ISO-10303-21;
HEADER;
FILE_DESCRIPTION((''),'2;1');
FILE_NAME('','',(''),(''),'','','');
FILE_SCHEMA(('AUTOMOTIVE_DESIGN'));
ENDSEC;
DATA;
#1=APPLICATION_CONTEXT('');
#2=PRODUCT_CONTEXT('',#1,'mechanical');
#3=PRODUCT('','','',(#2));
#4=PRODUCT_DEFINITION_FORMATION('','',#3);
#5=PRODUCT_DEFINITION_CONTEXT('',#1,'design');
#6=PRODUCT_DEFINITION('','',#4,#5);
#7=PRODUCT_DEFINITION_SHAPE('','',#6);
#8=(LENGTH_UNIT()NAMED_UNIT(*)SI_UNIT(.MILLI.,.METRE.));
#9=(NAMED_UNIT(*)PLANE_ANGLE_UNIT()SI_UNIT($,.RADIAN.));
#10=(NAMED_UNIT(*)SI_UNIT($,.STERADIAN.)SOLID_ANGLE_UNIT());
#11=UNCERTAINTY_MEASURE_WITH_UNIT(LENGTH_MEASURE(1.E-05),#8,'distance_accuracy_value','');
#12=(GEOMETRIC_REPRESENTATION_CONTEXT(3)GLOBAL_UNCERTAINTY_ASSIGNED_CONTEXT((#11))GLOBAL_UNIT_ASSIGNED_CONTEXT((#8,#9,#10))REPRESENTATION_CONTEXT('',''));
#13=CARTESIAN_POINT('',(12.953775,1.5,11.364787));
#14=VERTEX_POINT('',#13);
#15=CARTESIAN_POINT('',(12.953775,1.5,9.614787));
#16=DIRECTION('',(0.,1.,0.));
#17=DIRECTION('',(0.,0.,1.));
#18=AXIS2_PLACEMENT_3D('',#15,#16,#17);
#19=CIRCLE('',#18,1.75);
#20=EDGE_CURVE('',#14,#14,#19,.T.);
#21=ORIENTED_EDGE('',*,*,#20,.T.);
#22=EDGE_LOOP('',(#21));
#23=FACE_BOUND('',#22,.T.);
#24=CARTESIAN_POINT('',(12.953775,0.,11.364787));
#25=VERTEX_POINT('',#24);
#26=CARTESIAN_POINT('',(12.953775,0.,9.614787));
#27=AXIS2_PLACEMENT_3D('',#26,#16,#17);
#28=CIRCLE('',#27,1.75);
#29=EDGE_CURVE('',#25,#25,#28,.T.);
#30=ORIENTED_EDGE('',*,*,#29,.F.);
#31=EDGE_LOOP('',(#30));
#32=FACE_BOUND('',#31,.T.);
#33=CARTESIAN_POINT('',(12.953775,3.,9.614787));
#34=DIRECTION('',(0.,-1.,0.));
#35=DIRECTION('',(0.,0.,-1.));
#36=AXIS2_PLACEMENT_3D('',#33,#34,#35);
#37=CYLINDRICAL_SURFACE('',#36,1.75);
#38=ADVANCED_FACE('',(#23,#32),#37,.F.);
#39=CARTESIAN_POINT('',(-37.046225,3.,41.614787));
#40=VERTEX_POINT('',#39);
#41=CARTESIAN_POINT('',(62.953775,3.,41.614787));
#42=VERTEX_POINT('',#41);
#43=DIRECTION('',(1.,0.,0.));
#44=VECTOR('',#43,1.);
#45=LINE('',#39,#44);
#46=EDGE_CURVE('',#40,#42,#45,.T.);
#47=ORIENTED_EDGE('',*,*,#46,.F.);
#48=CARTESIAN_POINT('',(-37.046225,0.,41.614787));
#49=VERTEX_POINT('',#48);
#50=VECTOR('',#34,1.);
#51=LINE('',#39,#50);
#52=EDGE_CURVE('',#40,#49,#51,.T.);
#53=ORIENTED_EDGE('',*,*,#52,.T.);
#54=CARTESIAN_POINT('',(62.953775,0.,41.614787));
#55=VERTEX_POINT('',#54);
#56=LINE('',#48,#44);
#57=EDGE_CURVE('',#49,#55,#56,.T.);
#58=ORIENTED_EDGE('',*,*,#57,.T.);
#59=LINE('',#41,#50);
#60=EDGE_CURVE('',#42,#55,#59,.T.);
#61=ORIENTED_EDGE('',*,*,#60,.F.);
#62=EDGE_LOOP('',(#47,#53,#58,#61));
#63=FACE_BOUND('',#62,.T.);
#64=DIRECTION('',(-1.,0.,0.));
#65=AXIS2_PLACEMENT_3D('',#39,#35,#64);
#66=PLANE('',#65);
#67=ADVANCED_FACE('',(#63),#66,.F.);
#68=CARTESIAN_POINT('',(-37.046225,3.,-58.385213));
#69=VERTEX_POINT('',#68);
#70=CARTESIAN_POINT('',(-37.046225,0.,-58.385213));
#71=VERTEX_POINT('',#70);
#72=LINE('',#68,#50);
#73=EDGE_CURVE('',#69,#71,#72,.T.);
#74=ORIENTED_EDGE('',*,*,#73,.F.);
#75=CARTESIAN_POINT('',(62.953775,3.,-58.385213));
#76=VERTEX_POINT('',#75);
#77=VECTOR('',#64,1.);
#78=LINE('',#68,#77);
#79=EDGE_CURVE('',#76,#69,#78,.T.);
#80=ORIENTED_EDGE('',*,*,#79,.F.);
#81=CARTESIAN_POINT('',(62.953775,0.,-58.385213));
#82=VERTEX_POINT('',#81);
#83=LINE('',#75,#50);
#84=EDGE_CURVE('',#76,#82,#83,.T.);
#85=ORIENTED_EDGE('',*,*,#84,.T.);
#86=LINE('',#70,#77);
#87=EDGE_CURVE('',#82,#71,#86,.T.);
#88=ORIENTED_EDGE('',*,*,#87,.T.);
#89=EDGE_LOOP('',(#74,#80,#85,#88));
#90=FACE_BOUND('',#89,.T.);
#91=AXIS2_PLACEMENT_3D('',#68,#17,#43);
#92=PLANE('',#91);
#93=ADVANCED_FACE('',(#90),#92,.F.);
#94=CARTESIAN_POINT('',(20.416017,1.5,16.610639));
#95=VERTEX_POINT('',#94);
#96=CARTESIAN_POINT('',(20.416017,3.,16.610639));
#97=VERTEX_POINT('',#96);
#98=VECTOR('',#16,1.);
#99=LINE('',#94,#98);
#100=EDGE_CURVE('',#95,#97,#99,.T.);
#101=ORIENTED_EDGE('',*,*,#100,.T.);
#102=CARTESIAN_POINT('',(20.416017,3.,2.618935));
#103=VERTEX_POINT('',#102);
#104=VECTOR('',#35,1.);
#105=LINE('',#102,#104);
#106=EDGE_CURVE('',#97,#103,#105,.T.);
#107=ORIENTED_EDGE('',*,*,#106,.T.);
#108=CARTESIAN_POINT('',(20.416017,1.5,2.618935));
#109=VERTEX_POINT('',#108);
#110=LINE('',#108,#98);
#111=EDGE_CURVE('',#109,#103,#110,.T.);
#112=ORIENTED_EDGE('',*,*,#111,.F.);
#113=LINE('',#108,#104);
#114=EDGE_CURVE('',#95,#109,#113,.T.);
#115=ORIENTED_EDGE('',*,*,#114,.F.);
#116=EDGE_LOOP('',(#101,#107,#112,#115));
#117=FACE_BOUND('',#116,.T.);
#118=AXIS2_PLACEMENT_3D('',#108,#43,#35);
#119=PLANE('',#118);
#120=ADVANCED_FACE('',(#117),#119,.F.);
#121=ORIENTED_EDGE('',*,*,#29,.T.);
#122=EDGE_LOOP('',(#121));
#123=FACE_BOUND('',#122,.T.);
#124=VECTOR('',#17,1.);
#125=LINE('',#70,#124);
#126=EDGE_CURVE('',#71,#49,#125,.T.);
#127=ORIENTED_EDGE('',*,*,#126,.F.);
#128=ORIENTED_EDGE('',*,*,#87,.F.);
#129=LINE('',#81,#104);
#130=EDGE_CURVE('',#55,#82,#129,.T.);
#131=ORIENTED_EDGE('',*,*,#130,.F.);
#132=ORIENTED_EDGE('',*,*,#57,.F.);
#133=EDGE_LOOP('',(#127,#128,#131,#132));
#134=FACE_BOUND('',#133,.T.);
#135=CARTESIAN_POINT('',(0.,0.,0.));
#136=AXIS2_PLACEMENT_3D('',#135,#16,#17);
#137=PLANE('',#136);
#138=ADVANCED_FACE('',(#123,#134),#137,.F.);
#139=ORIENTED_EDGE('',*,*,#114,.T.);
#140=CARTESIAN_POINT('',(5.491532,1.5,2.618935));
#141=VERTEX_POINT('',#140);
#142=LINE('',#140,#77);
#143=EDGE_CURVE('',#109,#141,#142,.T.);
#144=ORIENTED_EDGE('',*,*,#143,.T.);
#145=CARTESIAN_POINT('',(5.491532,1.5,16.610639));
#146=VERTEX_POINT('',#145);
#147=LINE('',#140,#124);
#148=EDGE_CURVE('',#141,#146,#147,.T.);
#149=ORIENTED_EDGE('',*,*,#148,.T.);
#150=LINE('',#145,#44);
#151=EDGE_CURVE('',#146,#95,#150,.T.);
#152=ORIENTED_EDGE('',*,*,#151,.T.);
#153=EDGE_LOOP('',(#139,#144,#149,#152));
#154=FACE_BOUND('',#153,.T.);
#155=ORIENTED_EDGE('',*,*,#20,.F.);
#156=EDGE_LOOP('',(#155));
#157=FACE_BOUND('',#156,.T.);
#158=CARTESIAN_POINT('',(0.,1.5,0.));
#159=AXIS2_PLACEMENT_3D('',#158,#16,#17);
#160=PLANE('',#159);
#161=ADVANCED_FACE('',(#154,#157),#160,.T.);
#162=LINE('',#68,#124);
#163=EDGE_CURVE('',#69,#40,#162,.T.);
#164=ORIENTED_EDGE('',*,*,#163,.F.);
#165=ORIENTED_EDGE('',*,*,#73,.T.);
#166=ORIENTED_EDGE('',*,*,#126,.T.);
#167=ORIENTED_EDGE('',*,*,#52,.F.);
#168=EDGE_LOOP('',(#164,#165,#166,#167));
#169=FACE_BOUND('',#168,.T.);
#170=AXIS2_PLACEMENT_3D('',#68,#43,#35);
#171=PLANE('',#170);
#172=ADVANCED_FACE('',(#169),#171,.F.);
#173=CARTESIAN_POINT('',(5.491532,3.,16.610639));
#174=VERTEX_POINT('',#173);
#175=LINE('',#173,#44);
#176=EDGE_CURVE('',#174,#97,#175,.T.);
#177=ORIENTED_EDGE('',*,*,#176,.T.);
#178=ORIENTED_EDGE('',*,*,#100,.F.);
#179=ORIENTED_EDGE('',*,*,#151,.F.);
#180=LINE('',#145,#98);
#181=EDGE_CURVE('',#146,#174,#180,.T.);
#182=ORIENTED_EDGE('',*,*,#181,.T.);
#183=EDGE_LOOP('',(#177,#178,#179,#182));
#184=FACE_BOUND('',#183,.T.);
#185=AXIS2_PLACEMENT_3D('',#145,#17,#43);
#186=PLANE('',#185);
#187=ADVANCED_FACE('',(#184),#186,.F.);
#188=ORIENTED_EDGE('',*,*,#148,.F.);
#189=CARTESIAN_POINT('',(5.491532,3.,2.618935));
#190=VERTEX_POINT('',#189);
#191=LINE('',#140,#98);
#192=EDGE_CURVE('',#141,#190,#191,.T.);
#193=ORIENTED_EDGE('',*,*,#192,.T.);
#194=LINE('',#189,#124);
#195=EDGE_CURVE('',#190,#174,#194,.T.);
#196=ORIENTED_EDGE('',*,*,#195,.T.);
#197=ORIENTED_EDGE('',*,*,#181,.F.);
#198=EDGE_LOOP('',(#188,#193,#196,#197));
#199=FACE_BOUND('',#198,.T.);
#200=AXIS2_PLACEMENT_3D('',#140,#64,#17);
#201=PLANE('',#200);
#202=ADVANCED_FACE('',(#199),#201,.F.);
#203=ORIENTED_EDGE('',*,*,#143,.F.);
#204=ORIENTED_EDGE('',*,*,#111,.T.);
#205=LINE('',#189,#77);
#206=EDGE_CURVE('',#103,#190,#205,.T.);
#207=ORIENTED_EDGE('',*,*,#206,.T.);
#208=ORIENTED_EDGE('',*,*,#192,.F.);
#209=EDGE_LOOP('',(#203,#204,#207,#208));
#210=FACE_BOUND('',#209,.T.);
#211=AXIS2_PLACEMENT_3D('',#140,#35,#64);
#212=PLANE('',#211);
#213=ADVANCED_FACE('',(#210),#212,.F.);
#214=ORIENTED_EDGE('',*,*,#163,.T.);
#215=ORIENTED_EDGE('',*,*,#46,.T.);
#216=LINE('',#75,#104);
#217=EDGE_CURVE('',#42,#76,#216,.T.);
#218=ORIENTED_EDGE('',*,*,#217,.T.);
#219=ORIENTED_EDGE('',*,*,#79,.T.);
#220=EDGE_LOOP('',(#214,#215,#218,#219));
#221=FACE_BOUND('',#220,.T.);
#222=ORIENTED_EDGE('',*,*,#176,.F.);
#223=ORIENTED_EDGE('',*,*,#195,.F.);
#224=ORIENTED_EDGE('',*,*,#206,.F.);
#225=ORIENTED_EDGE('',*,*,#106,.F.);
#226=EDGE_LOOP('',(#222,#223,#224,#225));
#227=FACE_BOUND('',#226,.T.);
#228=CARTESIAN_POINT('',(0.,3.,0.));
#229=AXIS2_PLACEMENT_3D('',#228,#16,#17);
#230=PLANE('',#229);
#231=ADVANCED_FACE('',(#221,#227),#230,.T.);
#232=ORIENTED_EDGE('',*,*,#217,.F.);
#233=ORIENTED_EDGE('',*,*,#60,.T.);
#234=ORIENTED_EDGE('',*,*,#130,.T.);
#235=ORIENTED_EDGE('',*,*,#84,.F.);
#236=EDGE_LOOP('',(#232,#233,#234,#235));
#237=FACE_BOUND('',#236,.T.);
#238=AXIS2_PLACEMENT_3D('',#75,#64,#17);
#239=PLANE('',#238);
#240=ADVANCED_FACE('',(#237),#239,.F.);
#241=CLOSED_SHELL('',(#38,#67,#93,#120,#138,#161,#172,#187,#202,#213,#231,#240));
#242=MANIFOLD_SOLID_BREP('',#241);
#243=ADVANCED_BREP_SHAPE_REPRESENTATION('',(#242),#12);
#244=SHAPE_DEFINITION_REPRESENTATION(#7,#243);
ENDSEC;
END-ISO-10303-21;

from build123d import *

# Parameters (mm, degrees)
SKETCH1_W           = 100
SKETCH1_H           = 100
SKETCH1_R           = 1.75
BOSS_EXTRUDE1_DEPTH = 3
SKETCH2_W           = 14.924484516
SKETCH2_H           = 13.991704233
CUT_EXTRUDE1_DEPTH  = 1.5


with BuildPart() as part:
    # Sketch1 → Boss-Extrude1 (new body)
    with BuildSketch(Plane(origin=(0, 0, 0), x_dir=(1, 0, 0), z_dir=(0, 1, 0))):
        with Locations((12.953774531, 8.385212888)):
            Rectangle(SKETCH1_W, SKETCH1_H)
        with Locations(Location((12.953774531, -9.614787112, 0), (0, 0, 270))):
            Circle(SKETCH1_R, mode=Mode.SUBTRACT)
    extrude(amount=BOSS_EXTRUDE1_DEPTH)

    # Sketch2 → Cut-Extrude1 (cut)
    with BuildSketch(Plane(origin=(0, 3, 0), x_dir=(1, 0, 0), z_dir=(0, 1, 0))):
        with Locations((12.953774531, -9.614787112)):
            Rectangle(SKETCH2_W, SKETCH2_H)
    extrude(amount=-CUT_EXTRUDE1_DEPTH, mode=Mode.SUBTRACT)


solid = part.part
